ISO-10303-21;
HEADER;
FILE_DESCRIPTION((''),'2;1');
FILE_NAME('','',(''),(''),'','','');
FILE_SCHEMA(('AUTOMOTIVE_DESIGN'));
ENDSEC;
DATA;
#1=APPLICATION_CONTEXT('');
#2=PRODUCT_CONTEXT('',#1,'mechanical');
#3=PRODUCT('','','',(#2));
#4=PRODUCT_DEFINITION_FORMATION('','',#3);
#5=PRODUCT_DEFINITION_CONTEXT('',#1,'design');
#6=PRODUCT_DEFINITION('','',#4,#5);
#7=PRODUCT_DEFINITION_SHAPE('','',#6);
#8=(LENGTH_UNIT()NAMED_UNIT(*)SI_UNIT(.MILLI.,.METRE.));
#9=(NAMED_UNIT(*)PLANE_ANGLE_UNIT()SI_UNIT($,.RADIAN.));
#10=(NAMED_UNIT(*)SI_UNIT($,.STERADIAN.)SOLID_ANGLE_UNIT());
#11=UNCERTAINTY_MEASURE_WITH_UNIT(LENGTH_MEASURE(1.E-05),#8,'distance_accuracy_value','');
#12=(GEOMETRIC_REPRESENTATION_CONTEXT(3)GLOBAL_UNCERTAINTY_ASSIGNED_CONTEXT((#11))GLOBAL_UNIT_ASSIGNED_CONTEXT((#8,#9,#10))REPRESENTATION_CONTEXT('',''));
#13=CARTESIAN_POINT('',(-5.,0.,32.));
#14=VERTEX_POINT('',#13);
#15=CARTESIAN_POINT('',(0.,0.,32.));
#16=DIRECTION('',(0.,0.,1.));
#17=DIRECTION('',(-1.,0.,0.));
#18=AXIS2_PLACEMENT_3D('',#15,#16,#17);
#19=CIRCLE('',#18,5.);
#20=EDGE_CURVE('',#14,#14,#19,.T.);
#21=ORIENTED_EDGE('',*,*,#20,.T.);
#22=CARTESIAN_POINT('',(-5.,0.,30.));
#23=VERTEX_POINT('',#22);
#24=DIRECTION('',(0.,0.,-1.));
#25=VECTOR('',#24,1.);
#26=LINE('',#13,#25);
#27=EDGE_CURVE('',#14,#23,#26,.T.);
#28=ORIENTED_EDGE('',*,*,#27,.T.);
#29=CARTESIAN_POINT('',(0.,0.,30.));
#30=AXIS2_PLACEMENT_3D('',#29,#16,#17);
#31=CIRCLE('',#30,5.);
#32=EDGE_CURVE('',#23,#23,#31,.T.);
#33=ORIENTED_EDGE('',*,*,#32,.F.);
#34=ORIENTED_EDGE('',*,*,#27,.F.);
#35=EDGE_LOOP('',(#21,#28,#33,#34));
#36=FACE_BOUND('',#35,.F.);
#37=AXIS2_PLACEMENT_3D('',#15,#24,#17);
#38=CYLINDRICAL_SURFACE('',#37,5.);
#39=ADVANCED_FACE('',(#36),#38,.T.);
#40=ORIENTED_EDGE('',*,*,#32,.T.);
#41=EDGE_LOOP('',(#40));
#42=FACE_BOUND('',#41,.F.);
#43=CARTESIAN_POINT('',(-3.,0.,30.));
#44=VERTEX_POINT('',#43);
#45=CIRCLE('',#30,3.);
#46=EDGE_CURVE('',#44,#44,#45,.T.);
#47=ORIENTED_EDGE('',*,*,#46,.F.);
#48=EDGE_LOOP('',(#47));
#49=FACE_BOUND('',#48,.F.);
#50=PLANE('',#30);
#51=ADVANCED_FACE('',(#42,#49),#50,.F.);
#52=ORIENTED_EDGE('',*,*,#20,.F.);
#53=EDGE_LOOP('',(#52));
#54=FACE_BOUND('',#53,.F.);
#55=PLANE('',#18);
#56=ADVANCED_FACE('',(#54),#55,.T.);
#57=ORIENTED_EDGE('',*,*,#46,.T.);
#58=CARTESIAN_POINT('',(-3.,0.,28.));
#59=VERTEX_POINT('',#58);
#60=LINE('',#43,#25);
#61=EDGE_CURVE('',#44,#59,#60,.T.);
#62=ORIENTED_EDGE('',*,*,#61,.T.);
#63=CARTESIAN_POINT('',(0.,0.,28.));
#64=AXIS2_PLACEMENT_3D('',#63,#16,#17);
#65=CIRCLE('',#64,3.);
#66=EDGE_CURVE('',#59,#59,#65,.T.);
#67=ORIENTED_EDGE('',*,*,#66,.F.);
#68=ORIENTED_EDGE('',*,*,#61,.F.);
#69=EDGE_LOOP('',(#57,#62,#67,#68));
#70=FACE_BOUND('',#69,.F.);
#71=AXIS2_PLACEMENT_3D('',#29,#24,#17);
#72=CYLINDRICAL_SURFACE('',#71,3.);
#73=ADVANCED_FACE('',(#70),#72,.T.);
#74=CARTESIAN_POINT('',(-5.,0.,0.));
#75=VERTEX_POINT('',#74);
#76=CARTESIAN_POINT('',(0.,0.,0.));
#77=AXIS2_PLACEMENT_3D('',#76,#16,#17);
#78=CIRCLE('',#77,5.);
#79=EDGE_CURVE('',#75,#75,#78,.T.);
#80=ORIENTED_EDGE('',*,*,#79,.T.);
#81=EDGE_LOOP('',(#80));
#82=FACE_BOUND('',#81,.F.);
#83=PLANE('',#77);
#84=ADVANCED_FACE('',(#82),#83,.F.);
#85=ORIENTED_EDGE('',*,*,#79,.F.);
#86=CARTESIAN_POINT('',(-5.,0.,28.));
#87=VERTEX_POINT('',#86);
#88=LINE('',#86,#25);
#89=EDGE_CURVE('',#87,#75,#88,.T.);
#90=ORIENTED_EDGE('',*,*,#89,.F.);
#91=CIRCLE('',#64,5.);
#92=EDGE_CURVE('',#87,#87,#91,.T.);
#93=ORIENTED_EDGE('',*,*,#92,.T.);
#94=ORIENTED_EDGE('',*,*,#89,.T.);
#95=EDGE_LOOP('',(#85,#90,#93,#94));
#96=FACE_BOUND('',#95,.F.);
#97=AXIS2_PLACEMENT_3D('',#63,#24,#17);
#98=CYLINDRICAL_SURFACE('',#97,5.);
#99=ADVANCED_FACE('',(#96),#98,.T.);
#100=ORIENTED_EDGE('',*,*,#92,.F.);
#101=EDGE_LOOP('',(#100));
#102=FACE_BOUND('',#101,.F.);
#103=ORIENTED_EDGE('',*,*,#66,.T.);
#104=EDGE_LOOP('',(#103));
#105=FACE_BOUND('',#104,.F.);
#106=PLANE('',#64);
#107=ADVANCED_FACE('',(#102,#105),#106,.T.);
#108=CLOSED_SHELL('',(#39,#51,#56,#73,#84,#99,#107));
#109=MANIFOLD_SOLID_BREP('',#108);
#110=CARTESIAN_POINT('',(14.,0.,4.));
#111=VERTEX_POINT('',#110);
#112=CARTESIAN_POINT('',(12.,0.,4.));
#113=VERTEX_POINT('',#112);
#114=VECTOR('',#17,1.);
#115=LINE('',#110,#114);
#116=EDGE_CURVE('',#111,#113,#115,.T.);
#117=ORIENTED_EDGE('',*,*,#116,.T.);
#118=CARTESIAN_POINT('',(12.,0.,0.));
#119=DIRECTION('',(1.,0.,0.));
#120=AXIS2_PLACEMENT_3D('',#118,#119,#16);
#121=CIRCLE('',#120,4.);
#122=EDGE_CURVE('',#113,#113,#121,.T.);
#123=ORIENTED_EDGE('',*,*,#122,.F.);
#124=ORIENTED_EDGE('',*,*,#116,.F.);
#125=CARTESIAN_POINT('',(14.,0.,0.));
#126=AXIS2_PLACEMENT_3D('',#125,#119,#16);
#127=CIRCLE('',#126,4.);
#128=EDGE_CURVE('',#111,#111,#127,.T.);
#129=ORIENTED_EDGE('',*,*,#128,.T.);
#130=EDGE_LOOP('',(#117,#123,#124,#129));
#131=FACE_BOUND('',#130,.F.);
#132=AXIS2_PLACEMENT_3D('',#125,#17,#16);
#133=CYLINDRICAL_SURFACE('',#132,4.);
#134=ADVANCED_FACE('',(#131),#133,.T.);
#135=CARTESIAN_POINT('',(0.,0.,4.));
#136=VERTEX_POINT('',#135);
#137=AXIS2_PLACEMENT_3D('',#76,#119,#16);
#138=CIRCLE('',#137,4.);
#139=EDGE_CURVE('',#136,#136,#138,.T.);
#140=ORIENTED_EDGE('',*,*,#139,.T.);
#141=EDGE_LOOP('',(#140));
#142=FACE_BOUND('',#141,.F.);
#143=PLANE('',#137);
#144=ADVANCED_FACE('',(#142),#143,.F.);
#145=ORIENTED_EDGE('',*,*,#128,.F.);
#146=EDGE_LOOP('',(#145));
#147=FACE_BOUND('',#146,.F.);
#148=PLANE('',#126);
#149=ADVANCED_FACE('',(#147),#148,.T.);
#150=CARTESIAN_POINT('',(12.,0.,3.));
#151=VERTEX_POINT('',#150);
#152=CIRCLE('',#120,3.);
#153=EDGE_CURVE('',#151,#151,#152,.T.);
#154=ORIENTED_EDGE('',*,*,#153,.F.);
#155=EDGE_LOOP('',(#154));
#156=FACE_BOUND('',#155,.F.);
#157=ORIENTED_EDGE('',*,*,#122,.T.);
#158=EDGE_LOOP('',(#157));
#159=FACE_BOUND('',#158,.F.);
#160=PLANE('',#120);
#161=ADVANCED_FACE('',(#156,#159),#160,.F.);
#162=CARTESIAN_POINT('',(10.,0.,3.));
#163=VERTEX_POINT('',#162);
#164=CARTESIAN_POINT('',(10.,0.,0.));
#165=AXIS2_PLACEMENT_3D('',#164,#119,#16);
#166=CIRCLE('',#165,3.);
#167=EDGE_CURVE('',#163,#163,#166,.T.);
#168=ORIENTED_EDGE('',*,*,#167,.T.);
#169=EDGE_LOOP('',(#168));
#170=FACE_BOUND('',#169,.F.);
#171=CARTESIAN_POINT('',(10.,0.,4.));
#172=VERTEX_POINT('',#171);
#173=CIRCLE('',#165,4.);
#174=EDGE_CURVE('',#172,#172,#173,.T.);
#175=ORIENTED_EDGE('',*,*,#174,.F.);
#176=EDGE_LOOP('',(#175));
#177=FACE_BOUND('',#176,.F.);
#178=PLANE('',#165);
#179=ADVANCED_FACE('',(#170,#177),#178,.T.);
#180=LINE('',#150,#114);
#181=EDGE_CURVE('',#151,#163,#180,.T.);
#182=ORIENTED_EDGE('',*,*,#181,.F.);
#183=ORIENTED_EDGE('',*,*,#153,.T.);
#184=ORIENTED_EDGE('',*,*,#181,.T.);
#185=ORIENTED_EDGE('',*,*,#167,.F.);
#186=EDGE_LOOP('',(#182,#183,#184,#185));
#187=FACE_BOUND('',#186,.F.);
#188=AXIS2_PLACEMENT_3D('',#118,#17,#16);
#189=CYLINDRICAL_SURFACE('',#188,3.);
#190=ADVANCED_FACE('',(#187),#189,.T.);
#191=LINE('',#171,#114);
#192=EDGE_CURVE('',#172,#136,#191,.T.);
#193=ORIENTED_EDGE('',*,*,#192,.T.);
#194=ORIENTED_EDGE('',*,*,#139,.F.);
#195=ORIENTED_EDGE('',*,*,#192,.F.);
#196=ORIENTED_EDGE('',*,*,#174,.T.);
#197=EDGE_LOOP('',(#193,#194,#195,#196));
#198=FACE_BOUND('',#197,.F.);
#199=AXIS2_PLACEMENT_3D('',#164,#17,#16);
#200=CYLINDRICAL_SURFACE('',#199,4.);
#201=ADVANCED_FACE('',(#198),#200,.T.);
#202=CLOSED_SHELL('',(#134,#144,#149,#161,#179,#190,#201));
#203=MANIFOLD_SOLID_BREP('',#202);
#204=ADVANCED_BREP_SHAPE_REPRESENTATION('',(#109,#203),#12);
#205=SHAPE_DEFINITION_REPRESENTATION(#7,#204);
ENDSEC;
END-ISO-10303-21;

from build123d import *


with BuildPart() as f1:
    # F0 (on Front) → F1 (revolve)
    with BuildSketch(Plane.XZ):
        Polygon((0, 4), (0, 0), (14, 0), (14, 4), (12, 4), (12, 3), (10, 3), (10, 4), align=None)
    revolve(axis=Axis((3.514706, 0, 0), (1, 0, 0)))


with BuildPart() as f3:
    # F2 (on Front) → F3 (revolve)
    with BuildSketch(Plane.XZ):
        Polygon((-5, 0), (0, 0), (0, 32), (-5, 32), (-5, 30), (-3, 30), (-3, 28), (-5, 28), align=None)
    revolve(axis=Axis((0, 0, 19.274761), (0, 0, 1)))


solid = Compound([f1.part, f3.part])
